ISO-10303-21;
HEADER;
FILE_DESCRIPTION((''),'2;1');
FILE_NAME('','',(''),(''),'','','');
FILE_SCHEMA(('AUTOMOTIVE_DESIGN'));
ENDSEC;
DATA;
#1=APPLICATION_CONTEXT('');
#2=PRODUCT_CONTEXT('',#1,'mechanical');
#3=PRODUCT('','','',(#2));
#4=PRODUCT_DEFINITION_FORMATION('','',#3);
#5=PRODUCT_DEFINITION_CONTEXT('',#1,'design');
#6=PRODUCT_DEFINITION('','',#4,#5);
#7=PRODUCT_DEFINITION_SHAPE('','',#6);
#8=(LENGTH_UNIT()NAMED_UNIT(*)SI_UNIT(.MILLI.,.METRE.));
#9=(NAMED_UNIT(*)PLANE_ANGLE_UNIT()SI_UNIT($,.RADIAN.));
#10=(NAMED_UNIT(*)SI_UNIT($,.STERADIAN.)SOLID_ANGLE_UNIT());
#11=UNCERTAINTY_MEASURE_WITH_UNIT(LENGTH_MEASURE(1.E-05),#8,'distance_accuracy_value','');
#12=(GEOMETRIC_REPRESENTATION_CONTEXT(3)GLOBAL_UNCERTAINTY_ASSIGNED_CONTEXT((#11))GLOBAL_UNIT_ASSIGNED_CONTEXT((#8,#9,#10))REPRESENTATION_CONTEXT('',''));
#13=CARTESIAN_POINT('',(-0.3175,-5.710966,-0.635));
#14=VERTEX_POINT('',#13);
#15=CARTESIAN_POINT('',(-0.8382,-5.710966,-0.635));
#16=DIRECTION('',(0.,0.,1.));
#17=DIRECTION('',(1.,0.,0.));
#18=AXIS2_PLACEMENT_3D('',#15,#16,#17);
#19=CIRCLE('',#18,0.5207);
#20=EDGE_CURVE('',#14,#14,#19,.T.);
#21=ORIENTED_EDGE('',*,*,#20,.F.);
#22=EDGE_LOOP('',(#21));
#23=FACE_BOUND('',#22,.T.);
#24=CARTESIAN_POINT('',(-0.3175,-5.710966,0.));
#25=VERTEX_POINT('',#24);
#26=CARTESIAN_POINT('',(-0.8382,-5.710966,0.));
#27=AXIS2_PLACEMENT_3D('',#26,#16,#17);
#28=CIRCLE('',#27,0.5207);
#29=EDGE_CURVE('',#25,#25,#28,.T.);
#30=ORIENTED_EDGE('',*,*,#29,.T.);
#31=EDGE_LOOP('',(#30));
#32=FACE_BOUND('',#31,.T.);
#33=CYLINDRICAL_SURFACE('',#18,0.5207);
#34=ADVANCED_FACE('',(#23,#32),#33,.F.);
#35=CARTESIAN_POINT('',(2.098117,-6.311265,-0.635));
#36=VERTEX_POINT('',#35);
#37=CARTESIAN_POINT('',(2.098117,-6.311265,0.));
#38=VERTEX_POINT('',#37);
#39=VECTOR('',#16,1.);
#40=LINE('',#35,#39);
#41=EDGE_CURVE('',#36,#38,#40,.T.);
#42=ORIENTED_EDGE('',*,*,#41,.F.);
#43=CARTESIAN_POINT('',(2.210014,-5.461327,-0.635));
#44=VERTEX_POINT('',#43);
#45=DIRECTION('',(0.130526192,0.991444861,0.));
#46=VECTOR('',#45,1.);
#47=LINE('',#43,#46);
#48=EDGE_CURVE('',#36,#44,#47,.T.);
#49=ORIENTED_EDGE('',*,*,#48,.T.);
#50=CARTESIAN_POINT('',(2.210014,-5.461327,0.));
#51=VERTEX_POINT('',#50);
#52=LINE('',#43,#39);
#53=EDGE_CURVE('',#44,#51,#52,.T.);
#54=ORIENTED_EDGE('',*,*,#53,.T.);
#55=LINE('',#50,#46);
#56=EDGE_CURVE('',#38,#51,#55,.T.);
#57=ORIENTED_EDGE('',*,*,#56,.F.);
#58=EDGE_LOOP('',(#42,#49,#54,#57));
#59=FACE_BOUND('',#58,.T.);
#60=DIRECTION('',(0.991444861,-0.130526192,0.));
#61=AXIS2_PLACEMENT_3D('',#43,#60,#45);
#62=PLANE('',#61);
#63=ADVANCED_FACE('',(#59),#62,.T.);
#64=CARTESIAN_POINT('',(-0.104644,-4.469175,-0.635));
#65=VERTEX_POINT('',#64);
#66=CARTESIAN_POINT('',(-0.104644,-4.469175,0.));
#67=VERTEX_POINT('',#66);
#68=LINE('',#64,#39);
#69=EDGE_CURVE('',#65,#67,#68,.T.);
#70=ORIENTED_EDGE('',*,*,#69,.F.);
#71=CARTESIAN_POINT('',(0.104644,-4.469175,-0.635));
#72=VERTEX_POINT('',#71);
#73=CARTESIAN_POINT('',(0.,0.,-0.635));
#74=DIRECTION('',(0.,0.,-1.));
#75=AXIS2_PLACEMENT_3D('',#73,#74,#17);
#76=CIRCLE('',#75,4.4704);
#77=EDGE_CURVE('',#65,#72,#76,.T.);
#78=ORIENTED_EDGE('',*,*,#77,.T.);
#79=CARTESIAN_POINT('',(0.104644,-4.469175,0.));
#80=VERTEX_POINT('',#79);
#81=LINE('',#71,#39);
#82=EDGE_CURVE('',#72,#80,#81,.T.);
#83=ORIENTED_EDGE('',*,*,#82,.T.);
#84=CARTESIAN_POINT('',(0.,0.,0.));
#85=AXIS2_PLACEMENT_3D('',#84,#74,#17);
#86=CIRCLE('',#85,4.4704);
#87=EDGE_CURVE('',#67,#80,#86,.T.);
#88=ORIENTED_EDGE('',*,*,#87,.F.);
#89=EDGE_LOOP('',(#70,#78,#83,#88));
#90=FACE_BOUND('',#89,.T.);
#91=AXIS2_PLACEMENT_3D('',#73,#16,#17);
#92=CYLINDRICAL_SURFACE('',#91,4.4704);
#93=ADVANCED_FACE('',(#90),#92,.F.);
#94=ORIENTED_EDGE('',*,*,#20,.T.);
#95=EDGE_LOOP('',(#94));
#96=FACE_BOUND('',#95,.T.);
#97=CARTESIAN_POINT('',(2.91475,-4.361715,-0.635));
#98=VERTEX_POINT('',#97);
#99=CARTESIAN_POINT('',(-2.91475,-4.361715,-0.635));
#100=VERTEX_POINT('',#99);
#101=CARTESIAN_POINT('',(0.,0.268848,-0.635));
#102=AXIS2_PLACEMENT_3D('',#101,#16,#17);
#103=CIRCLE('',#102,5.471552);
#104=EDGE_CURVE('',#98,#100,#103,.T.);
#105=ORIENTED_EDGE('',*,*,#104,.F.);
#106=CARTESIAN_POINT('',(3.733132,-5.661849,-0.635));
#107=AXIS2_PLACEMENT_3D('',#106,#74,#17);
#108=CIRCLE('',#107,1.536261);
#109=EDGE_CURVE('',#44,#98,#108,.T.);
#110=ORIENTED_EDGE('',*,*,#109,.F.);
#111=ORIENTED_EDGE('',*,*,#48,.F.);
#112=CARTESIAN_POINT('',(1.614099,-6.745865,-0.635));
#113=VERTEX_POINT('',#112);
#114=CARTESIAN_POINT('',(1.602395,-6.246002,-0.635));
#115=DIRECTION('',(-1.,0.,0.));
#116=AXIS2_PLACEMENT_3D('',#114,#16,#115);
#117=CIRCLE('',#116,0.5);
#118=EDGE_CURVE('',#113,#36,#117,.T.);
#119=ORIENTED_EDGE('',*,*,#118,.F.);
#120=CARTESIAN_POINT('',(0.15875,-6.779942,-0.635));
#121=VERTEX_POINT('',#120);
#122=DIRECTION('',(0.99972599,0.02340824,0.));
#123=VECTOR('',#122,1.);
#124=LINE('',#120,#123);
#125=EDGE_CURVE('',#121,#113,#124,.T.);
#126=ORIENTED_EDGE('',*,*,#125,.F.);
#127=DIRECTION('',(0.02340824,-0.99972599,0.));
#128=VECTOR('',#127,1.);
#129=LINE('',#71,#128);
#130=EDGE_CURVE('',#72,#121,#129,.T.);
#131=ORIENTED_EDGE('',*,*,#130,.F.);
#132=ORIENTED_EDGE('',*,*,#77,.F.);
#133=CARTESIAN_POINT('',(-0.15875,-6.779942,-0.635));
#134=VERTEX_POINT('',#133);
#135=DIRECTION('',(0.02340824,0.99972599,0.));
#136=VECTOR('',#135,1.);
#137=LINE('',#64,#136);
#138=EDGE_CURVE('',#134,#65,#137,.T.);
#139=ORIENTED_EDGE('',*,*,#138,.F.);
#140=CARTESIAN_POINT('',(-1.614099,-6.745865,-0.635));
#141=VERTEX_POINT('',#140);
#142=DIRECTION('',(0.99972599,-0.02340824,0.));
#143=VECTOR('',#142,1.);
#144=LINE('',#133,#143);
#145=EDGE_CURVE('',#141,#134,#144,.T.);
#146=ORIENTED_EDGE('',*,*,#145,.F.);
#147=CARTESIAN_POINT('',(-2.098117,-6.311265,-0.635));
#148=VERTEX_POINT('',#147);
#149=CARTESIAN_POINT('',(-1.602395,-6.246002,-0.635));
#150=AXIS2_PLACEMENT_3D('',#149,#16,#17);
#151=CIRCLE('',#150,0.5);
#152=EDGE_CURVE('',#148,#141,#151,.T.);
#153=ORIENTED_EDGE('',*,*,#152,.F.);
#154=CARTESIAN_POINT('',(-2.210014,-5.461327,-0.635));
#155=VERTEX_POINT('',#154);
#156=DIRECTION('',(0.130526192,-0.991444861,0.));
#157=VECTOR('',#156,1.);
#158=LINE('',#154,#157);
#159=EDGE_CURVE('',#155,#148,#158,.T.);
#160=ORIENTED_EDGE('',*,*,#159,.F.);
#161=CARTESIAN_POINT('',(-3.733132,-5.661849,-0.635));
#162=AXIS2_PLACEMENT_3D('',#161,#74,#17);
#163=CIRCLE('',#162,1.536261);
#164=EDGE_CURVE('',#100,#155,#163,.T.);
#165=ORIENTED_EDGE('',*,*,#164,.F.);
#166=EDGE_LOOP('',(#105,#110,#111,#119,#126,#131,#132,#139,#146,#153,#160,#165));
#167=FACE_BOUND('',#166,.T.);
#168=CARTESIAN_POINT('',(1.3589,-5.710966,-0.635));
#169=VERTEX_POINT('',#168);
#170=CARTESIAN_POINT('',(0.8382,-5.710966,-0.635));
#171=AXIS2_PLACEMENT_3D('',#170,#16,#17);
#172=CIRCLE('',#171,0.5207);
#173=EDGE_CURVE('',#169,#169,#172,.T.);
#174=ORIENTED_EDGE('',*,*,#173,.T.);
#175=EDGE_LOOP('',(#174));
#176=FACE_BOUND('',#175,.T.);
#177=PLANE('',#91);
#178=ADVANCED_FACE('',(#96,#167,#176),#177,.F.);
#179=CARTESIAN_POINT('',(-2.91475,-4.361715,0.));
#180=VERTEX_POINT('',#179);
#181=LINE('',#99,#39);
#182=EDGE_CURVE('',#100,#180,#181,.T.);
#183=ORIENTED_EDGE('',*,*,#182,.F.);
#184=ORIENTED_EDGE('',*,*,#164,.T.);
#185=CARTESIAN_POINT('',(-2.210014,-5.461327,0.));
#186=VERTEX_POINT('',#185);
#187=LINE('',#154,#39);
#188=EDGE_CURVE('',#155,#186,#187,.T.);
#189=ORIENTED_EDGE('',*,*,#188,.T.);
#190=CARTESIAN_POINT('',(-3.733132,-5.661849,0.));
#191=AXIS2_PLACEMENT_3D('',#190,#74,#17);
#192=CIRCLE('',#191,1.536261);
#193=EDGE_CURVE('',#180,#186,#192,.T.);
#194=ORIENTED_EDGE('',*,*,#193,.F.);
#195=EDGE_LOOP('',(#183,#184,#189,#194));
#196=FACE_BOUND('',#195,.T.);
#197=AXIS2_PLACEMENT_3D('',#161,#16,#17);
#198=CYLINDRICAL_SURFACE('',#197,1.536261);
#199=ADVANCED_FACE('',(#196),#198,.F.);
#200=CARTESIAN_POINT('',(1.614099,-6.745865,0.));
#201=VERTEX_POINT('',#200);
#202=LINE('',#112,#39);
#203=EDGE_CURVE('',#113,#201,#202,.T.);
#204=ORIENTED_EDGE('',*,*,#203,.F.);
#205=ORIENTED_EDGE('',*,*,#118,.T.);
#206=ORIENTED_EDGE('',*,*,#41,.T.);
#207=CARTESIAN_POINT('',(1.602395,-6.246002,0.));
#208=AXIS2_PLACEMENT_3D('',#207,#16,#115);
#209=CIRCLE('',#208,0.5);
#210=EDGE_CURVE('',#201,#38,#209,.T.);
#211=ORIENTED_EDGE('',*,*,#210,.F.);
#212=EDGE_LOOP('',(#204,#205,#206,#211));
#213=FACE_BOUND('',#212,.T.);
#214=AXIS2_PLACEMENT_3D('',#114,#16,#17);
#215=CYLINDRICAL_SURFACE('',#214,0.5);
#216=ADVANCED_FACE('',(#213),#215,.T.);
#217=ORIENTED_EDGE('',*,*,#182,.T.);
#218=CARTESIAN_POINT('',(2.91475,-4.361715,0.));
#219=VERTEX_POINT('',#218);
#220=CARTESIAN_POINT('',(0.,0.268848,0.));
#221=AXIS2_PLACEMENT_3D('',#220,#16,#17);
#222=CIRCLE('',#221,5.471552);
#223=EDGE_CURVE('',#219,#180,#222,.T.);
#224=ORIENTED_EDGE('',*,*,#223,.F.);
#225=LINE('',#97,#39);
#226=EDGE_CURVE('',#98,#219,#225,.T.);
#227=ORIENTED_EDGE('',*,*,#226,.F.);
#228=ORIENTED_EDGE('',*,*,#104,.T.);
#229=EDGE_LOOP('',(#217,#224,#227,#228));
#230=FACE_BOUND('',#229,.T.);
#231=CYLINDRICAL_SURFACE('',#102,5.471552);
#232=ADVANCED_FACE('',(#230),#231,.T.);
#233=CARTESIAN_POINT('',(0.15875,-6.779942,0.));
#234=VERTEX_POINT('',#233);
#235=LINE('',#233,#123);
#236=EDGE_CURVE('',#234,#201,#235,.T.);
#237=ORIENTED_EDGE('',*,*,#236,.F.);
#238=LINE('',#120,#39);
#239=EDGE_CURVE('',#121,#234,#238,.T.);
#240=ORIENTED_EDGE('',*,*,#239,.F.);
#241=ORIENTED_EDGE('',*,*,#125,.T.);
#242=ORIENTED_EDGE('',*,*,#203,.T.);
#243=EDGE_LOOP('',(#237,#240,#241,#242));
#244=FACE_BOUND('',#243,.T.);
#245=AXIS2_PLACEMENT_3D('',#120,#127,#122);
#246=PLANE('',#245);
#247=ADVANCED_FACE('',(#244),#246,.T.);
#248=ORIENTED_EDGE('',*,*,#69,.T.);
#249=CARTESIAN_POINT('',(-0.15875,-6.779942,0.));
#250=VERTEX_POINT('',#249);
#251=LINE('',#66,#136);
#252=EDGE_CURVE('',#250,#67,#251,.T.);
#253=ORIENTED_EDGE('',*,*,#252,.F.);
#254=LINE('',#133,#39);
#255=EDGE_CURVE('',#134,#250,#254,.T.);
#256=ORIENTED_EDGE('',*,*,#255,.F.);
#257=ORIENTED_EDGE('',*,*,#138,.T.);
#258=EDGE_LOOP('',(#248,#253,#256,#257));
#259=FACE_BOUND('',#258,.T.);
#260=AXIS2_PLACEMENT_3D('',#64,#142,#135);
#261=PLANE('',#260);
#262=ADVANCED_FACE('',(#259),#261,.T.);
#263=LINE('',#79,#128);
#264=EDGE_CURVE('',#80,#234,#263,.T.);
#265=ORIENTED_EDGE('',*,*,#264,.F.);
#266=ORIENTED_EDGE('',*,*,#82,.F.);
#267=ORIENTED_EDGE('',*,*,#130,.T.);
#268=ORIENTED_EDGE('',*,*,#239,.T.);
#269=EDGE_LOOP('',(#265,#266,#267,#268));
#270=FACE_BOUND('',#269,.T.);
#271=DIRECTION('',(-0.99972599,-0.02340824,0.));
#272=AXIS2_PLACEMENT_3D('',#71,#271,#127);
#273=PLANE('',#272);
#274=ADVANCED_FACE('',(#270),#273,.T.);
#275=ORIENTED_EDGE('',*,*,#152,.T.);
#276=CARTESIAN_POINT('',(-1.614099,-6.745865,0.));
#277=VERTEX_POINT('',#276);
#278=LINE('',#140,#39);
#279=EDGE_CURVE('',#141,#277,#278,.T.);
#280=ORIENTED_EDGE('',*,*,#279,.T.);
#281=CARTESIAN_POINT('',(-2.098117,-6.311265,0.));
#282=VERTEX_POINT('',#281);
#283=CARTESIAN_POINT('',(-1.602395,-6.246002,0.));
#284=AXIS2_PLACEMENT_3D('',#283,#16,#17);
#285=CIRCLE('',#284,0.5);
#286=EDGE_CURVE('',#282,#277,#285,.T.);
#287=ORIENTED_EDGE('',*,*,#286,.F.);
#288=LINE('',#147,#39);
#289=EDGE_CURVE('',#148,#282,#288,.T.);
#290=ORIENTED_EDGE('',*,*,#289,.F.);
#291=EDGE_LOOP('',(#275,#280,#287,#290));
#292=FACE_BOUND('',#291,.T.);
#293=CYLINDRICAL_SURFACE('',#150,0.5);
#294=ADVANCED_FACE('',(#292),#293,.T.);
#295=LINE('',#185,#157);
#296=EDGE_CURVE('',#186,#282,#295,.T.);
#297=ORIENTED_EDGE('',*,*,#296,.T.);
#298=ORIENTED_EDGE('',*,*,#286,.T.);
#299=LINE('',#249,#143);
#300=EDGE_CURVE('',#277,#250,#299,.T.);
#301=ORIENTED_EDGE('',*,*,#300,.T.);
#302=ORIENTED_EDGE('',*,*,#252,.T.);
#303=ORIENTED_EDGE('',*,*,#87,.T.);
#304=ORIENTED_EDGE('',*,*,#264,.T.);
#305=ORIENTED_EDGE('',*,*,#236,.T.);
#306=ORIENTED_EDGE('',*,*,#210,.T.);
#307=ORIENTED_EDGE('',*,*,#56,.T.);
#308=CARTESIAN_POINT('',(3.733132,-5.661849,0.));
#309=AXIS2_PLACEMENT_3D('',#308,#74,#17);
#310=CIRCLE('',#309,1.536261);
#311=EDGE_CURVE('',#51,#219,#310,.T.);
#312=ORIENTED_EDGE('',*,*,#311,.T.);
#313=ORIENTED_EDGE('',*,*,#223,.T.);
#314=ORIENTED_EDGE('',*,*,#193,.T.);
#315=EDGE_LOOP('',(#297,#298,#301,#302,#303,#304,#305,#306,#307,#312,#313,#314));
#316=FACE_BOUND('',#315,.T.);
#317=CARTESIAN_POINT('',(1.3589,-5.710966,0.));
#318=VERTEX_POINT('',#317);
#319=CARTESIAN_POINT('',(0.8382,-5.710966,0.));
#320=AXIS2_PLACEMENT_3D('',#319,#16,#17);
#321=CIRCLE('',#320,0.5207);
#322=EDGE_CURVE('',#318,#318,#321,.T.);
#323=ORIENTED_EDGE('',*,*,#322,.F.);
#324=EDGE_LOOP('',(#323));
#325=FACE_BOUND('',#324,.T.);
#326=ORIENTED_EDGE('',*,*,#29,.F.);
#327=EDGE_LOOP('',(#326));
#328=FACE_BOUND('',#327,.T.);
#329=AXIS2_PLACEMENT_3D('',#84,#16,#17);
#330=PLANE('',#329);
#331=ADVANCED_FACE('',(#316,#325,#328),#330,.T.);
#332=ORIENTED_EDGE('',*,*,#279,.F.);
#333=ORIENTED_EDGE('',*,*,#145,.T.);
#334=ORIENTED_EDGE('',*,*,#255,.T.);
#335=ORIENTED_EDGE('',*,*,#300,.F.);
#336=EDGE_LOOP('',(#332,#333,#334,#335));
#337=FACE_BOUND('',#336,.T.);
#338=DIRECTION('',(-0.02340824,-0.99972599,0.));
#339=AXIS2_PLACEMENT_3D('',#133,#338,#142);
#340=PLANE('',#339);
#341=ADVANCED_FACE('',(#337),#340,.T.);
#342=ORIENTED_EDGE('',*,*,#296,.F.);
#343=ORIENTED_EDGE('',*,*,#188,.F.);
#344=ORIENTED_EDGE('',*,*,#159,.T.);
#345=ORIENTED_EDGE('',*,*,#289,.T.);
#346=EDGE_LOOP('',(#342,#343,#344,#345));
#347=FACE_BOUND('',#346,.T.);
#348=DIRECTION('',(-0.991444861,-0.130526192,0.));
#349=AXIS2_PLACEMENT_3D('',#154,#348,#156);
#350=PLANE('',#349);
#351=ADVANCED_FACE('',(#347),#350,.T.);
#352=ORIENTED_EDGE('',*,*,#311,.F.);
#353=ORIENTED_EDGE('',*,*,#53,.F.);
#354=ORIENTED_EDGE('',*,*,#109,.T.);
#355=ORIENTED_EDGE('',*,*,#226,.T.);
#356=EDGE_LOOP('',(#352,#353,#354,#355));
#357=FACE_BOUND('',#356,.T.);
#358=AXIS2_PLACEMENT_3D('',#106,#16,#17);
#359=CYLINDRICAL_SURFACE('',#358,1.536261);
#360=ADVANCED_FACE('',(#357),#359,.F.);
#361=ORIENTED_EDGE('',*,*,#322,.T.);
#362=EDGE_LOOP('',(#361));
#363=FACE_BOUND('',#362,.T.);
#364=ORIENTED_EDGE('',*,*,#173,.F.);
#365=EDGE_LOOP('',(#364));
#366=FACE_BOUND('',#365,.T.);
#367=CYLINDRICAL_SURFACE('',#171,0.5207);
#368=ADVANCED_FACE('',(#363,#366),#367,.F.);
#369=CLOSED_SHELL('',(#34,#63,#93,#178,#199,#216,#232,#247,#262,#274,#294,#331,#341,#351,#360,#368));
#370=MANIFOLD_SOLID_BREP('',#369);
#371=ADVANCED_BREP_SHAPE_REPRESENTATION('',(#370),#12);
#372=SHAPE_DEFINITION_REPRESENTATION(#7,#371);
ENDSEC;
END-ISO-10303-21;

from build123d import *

# Parameters (mm, degrees)
BODYSKE_R  = 0.5207
BODY_DEPTH = 0.635


with BuildPart() as part:
    # BodySke → Body (new body)
    with BuildSketch(Plane.XY):
        with BuildLine():
            Line((0.104644195, -4.469175064), (0.15875, -6.779941716))
            Line((0.15875, -6.779941716), (1.614099102, -6.745865218))
            ThreePointArc((1.614099102, -6.745865218), (1.936445418, -6.618037579), (2.098117413, -6.31126532))
            Line((2.098117413, -6.31126532), (2.210013931, -5.461326879))
            ThreePointArc((2.210013931, -5.461326879), (2.439709478, -4.832900419), (2.914750444, -4.361714742))
            ThreePointArc((2.914750444, -4.361714742), (0, 5.7404), (-2.914750444, -4.361714742))
            ThreePointArc((-2.914750444, -4.361714742), (-2.439709478, -4.832900419), (-2.210013931, -5.461326879))
            Line((-2.210013931, -5.461326879), (-2.098117413, -6.31126532))
            ThreePointArc((-2.098117413, -6.31126532), (-1.936445418, -6.618037579), (-1.614099102, -6.745865218))
            Line((-1.614099102, -6.745865218), (-0.15875, -6.779941716))
            Line((-0.15875, -6.779941716), (-0.104644195, -4.469175064))
            ThreePointArc((-0.104644195, -4.469175064), (0, 4.4704), (0.104644195, -4.469175064))
        make_face()
        with Locations((0.8382, -5.710966327)):
            Circle(BODYSKE_R, mode=Mode.SUBTRACT)
        with Locations((-0.8382, -5.710966327)):
            Circle(BODYSKE_R, mode=Mode.SUBTRACT)
    extrude(amount=-BODY_DEPTH)


solid = part.part
